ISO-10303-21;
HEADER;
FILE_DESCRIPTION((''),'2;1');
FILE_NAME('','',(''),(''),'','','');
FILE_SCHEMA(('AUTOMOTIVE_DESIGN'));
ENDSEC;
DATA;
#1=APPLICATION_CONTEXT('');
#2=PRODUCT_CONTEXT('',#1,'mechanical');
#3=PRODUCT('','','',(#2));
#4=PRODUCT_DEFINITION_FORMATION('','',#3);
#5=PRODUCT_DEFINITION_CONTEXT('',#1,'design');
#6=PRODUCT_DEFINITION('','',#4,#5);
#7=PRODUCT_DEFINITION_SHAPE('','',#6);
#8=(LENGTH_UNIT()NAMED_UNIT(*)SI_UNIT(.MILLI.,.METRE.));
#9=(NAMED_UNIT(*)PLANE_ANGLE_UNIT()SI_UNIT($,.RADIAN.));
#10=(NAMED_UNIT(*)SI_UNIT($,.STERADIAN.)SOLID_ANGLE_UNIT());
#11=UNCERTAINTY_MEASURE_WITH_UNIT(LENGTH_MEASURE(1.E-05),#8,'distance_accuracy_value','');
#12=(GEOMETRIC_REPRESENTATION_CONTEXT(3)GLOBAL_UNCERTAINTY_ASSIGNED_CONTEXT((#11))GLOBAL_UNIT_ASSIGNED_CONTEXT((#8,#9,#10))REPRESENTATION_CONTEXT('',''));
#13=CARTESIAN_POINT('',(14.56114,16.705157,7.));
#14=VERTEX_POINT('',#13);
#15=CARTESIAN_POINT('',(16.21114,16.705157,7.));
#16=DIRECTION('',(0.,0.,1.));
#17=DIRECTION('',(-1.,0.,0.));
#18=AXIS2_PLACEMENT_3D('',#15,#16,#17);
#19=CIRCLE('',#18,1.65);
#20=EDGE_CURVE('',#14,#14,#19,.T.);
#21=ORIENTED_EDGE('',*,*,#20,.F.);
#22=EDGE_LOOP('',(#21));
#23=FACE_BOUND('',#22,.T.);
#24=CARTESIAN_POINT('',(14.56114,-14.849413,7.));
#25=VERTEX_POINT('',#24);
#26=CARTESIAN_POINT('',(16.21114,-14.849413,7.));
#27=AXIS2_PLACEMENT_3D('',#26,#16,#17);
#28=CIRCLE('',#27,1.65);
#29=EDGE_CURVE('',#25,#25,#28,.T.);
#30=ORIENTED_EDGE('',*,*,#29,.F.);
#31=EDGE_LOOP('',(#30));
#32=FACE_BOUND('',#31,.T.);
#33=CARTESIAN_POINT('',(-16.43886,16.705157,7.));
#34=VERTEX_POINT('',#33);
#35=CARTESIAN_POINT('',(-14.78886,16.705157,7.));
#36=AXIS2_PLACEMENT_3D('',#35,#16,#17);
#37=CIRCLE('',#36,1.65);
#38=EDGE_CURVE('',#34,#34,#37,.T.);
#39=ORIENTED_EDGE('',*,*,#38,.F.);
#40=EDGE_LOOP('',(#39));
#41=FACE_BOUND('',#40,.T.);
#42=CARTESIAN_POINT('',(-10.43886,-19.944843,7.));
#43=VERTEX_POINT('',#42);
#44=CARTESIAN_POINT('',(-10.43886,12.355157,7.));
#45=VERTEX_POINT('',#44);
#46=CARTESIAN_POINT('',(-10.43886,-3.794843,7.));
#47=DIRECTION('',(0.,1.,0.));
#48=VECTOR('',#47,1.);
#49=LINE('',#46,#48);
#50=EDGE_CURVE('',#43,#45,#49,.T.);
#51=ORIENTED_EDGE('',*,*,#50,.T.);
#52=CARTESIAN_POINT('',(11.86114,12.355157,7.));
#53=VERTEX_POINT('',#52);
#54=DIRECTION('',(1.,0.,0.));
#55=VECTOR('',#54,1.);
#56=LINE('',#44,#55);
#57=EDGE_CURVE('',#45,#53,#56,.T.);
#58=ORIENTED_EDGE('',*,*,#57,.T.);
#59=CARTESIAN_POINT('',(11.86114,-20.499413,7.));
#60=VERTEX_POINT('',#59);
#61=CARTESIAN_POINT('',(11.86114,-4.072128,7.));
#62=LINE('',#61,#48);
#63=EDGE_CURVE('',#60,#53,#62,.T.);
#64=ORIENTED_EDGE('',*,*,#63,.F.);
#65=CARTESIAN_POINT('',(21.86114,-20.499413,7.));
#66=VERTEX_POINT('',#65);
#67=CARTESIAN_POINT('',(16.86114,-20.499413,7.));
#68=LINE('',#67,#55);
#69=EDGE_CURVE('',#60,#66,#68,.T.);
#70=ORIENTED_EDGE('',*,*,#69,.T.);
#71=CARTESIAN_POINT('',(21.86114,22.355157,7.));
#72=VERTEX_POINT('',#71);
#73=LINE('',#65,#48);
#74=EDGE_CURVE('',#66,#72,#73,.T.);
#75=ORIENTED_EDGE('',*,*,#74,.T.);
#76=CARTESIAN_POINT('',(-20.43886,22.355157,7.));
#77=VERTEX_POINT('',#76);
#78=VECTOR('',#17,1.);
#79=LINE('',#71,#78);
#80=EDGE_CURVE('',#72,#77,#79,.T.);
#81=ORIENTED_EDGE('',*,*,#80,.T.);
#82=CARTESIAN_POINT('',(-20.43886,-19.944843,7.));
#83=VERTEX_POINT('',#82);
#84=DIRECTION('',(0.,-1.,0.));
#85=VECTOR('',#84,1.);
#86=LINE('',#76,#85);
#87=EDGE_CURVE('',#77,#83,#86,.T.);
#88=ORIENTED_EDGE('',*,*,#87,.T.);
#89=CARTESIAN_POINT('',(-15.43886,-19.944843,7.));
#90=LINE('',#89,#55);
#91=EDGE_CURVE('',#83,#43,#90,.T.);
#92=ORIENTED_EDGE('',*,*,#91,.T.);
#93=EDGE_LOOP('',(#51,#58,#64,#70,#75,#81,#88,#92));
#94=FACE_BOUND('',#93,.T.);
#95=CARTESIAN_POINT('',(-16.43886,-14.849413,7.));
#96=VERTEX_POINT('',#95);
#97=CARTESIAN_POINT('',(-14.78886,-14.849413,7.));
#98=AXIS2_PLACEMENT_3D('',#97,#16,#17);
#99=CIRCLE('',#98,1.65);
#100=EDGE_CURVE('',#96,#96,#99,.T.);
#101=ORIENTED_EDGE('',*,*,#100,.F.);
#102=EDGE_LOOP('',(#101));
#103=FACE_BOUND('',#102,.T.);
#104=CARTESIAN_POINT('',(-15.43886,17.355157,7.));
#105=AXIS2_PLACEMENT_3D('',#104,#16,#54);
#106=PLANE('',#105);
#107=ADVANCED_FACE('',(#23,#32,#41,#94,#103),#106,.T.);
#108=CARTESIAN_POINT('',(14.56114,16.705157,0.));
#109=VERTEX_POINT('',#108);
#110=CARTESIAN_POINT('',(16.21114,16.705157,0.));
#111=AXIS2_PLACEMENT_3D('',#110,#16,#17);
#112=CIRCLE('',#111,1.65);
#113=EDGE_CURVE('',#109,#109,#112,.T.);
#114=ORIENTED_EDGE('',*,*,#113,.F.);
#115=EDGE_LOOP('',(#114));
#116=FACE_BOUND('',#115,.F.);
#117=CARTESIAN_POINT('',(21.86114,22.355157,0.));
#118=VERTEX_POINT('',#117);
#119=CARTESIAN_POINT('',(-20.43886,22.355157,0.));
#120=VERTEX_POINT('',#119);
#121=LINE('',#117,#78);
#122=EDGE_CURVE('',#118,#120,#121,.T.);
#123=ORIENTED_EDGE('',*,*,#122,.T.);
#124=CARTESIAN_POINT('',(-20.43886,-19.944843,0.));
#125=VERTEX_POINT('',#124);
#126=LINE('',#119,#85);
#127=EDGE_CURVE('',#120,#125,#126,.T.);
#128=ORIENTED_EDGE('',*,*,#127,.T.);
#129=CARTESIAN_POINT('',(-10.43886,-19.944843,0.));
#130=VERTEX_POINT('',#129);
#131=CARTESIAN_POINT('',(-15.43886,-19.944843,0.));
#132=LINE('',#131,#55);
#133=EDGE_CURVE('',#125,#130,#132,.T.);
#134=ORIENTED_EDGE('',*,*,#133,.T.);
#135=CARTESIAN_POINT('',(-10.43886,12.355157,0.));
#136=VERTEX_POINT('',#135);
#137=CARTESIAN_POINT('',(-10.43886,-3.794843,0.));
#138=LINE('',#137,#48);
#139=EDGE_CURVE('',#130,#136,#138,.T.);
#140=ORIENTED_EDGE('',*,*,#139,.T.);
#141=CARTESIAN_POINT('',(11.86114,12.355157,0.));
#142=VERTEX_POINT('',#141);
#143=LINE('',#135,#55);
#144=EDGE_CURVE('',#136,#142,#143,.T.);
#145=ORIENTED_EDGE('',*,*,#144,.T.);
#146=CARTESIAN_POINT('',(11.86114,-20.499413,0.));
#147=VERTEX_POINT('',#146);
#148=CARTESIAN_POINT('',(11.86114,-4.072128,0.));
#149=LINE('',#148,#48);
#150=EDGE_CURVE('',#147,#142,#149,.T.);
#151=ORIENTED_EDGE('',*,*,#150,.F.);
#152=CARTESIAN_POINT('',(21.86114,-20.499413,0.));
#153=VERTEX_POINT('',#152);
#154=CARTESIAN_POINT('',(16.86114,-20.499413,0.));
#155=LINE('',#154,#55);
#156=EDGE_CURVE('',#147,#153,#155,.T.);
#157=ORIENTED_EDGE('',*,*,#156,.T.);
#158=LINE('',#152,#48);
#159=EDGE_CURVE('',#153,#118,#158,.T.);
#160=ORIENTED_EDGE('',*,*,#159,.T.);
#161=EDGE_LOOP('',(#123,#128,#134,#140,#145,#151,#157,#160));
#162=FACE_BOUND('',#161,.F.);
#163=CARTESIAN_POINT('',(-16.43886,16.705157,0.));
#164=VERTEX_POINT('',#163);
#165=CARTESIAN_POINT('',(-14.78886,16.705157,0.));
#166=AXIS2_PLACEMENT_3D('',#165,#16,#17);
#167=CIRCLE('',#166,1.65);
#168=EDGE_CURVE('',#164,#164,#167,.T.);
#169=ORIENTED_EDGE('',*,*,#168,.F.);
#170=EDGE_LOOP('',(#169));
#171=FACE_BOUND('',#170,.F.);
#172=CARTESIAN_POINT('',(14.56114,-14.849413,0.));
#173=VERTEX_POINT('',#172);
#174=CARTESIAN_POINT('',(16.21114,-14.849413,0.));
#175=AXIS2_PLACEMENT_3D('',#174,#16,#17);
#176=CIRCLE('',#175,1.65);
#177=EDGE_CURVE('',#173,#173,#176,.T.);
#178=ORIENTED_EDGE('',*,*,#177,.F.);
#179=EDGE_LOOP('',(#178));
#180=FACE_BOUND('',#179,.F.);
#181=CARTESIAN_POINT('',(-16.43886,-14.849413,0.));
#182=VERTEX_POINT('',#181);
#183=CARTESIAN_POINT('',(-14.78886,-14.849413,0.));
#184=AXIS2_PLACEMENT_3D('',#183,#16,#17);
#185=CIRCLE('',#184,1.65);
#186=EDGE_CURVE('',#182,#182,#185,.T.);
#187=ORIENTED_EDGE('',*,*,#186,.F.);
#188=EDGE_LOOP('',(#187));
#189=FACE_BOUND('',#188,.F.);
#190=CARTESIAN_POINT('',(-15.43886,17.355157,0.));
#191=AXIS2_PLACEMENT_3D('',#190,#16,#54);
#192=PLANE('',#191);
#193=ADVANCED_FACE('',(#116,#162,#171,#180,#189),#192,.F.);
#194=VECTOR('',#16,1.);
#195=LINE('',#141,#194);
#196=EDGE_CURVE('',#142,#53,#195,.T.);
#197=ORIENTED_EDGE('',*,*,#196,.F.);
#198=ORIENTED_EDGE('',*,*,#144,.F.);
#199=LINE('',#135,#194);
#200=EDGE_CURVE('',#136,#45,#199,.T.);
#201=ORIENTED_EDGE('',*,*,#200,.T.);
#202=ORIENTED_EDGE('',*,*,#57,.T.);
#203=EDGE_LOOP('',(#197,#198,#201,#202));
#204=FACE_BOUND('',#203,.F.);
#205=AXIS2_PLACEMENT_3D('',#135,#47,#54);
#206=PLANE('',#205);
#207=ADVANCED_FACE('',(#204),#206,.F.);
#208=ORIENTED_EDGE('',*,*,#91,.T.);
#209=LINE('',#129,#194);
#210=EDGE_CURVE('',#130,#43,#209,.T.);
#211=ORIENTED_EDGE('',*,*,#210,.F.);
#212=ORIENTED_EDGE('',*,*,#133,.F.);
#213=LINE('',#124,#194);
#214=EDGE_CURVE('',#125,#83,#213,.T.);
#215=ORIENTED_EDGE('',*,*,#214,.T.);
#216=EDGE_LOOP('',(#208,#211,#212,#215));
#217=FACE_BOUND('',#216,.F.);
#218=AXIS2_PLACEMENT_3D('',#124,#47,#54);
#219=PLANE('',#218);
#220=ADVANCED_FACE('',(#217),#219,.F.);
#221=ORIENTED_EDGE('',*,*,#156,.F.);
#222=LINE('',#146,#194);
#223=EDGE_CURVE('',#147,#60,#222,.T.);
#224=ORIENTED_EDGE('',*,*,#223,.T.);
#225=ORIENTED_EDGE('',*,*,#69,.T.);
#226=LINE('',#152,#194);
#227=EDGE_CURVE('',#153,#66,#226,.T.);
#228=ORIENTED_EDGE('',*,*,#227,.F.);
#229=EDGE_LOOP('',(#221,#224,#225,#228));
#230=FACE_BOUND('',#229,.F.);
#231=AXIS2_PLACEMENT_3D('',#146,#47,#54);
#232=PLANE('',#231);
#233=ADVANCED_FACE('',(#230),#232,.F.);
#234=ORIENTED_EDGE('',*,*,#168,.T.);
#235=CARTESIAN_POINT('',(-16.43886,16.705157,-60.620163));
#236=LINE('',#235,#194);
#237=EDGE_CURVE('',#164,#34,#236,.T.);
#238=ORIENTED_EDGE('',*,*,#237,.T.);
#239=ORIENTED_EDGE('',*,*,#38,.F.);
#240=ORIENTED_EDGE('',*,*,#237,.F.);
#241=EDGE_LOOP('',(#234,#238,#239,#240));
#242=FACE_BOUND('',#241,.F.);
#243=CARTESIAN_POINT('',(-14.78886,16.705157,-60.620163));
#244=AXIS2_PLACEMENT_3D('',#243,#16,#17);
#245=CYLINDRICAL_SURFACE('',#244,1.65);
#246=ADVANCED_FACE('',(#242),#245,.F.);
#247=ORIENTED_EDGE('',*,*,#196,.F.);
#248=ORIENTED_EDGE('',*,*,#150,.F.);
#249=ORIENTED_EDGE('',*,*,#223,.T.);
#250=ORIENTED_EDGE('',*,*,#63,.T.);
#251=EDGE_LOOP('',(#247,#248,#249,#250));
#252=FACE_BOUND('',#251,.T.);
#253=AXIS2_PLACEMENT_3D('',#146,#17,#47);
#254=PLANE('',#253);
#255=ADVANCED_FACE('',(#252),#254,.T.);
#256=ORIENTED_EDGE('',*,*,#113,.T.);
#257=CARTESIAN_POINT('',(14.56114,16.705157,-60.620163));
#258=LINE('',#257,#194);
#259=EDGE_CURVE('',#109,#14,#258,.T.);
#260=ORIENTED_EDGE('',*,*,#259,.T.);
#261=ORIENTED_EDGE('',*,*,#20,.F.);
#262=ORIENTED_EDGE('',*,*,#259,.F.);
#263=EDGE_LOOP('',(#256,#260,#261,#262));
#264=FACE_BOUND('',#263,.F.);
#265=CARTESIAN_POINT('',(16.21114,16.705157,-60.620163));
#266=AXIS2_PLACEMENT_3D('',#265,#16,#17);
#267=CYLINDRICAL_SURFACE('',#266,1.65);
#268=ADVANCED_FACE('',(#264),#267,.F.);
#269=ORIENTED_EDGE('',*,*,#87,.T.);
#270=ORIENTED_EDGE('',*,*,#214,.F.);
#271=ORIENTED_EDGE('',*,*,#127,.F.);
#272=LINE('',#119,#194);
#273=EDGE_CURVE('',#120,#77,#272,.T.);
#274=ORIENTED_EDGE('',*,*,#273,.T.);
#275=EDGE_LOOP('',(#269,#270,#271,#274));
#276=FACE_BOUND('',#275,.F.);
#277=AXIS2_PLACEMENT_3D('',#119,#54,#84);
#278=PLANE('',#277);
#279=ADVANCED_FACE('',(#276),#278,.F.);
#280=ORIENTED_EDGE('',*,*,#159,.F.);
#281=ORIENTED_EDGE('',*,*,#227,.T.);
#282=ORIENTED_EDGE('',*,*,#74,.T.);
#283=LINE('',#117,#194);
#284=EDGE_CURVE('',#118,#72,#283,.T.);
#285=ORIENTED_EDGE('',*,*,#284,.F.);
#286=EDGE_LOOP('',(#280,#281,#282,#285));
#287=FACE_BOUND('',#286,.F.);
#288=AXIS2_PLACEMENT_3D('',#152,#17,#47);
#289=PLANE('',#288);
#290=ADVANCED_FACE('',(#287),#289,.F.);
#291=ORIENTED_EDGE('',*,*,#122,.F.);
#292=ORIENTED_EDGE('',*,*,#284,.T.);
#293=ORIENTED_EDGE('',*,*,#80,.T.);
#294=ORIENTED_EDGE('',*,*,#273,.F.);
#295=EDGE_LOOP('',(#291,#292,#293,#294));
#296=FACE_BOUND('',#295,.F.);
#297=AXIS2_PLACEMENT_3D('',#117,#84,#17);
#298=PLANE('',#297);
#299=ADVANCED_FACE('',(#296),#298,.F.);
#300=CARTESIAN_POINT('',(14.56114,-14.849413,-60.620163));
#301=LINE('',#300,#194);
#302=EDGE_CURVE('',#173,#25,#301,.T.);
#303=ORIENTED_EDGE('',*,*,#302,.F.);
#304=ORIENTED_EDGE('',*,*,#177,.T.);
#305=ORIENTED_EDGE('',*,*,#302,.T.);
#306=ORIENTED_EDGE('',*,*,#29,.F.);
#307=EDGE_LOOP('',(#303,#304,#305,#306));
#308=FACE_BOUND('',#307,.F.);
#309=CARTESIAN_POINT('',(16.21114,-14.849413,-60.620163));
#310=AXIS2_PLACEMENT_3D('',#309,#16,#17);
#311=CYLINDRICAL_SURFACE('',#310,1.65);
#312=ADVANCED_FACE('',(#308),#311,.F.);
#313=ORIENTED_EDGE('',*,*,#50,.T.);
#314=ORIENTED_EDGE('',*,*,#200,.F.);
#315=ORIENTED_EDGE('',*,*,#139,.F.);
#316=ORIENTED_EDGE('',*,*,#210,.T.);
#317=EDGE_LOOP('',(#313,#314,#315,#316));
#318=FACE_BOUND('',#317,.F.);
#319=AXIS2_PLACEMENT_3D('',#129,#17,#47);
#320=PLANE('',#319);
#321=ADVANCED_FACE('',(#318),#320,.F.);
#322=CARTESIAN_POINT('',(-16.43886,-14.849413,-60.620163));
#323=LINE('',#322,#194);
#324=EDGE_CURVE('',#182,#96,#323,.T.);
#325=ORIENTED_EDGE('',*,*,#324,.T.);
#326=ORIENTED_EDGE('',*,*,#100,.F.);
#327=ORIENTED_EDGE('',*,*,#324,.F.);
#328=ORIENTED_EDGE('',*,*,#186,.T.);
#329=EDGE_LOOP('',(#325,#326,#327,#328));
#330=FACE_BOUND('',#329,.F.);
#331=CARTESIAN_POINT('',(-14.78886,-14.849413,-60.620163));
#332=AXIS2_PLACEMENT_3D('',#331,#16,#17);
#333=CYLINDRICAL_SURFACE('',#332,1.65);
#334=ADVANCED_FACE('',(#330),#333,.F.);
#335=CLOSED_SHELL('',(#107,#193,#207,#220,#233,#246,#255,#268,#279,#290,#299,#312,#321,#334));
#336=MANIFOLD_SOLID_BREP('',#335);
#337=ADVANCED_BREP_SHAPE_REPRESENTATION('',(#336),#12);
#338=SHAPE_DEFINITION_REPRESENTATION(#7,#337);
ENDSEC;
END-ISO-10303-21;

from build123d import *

# Parameters (mm, degrees)
F0_W     = 10
F0_H     = 10
F0_W_2   = 22.3
F0_H_2   = 32.3
F0_H_3   = 32.8545699317
F1_DEPTH = 7
F2_D     = 3.3


with BuildPart() as f1:
    # F0 (on Top) → F1 (new body)
    with BuildSketch(Plane.XY):
        with Locations((-15.4388597772, 17.3551567454)):
            Rectangle(F0_W, F0_H)
        with Locations((0.7111402228, 17.3551567454)):
            Rectangle(F0_W_2, F0_H)
        with Locations((-15.4388597772, -3.7948432546)):
            Rectangle(F0_W, F0_H_2)
        with Locations((16.8611402228, 17.3551567454)):
            Rectangle(F0_W, F0_H)
        with Locations((16.8611402228, -4.0721282204)):
            Rectangle(F0_W, F0_H_3)
    extrude(amount=F1_DEPTH)

    # F2 (through all)
    with Locations(Plane(origin=(0, 0, 0), x_dir=(1, 0, 0), z_dir=(0, 0, -1))):
        with Locations((-14.7888597772, -16.7051567454), (16.2111402228, -16.7051567454), (-14.7888597772, 14.8494131863), (16.2111402228, 14.8494131863)):
            Hole(F2_D / 2)


solid = f1.part
